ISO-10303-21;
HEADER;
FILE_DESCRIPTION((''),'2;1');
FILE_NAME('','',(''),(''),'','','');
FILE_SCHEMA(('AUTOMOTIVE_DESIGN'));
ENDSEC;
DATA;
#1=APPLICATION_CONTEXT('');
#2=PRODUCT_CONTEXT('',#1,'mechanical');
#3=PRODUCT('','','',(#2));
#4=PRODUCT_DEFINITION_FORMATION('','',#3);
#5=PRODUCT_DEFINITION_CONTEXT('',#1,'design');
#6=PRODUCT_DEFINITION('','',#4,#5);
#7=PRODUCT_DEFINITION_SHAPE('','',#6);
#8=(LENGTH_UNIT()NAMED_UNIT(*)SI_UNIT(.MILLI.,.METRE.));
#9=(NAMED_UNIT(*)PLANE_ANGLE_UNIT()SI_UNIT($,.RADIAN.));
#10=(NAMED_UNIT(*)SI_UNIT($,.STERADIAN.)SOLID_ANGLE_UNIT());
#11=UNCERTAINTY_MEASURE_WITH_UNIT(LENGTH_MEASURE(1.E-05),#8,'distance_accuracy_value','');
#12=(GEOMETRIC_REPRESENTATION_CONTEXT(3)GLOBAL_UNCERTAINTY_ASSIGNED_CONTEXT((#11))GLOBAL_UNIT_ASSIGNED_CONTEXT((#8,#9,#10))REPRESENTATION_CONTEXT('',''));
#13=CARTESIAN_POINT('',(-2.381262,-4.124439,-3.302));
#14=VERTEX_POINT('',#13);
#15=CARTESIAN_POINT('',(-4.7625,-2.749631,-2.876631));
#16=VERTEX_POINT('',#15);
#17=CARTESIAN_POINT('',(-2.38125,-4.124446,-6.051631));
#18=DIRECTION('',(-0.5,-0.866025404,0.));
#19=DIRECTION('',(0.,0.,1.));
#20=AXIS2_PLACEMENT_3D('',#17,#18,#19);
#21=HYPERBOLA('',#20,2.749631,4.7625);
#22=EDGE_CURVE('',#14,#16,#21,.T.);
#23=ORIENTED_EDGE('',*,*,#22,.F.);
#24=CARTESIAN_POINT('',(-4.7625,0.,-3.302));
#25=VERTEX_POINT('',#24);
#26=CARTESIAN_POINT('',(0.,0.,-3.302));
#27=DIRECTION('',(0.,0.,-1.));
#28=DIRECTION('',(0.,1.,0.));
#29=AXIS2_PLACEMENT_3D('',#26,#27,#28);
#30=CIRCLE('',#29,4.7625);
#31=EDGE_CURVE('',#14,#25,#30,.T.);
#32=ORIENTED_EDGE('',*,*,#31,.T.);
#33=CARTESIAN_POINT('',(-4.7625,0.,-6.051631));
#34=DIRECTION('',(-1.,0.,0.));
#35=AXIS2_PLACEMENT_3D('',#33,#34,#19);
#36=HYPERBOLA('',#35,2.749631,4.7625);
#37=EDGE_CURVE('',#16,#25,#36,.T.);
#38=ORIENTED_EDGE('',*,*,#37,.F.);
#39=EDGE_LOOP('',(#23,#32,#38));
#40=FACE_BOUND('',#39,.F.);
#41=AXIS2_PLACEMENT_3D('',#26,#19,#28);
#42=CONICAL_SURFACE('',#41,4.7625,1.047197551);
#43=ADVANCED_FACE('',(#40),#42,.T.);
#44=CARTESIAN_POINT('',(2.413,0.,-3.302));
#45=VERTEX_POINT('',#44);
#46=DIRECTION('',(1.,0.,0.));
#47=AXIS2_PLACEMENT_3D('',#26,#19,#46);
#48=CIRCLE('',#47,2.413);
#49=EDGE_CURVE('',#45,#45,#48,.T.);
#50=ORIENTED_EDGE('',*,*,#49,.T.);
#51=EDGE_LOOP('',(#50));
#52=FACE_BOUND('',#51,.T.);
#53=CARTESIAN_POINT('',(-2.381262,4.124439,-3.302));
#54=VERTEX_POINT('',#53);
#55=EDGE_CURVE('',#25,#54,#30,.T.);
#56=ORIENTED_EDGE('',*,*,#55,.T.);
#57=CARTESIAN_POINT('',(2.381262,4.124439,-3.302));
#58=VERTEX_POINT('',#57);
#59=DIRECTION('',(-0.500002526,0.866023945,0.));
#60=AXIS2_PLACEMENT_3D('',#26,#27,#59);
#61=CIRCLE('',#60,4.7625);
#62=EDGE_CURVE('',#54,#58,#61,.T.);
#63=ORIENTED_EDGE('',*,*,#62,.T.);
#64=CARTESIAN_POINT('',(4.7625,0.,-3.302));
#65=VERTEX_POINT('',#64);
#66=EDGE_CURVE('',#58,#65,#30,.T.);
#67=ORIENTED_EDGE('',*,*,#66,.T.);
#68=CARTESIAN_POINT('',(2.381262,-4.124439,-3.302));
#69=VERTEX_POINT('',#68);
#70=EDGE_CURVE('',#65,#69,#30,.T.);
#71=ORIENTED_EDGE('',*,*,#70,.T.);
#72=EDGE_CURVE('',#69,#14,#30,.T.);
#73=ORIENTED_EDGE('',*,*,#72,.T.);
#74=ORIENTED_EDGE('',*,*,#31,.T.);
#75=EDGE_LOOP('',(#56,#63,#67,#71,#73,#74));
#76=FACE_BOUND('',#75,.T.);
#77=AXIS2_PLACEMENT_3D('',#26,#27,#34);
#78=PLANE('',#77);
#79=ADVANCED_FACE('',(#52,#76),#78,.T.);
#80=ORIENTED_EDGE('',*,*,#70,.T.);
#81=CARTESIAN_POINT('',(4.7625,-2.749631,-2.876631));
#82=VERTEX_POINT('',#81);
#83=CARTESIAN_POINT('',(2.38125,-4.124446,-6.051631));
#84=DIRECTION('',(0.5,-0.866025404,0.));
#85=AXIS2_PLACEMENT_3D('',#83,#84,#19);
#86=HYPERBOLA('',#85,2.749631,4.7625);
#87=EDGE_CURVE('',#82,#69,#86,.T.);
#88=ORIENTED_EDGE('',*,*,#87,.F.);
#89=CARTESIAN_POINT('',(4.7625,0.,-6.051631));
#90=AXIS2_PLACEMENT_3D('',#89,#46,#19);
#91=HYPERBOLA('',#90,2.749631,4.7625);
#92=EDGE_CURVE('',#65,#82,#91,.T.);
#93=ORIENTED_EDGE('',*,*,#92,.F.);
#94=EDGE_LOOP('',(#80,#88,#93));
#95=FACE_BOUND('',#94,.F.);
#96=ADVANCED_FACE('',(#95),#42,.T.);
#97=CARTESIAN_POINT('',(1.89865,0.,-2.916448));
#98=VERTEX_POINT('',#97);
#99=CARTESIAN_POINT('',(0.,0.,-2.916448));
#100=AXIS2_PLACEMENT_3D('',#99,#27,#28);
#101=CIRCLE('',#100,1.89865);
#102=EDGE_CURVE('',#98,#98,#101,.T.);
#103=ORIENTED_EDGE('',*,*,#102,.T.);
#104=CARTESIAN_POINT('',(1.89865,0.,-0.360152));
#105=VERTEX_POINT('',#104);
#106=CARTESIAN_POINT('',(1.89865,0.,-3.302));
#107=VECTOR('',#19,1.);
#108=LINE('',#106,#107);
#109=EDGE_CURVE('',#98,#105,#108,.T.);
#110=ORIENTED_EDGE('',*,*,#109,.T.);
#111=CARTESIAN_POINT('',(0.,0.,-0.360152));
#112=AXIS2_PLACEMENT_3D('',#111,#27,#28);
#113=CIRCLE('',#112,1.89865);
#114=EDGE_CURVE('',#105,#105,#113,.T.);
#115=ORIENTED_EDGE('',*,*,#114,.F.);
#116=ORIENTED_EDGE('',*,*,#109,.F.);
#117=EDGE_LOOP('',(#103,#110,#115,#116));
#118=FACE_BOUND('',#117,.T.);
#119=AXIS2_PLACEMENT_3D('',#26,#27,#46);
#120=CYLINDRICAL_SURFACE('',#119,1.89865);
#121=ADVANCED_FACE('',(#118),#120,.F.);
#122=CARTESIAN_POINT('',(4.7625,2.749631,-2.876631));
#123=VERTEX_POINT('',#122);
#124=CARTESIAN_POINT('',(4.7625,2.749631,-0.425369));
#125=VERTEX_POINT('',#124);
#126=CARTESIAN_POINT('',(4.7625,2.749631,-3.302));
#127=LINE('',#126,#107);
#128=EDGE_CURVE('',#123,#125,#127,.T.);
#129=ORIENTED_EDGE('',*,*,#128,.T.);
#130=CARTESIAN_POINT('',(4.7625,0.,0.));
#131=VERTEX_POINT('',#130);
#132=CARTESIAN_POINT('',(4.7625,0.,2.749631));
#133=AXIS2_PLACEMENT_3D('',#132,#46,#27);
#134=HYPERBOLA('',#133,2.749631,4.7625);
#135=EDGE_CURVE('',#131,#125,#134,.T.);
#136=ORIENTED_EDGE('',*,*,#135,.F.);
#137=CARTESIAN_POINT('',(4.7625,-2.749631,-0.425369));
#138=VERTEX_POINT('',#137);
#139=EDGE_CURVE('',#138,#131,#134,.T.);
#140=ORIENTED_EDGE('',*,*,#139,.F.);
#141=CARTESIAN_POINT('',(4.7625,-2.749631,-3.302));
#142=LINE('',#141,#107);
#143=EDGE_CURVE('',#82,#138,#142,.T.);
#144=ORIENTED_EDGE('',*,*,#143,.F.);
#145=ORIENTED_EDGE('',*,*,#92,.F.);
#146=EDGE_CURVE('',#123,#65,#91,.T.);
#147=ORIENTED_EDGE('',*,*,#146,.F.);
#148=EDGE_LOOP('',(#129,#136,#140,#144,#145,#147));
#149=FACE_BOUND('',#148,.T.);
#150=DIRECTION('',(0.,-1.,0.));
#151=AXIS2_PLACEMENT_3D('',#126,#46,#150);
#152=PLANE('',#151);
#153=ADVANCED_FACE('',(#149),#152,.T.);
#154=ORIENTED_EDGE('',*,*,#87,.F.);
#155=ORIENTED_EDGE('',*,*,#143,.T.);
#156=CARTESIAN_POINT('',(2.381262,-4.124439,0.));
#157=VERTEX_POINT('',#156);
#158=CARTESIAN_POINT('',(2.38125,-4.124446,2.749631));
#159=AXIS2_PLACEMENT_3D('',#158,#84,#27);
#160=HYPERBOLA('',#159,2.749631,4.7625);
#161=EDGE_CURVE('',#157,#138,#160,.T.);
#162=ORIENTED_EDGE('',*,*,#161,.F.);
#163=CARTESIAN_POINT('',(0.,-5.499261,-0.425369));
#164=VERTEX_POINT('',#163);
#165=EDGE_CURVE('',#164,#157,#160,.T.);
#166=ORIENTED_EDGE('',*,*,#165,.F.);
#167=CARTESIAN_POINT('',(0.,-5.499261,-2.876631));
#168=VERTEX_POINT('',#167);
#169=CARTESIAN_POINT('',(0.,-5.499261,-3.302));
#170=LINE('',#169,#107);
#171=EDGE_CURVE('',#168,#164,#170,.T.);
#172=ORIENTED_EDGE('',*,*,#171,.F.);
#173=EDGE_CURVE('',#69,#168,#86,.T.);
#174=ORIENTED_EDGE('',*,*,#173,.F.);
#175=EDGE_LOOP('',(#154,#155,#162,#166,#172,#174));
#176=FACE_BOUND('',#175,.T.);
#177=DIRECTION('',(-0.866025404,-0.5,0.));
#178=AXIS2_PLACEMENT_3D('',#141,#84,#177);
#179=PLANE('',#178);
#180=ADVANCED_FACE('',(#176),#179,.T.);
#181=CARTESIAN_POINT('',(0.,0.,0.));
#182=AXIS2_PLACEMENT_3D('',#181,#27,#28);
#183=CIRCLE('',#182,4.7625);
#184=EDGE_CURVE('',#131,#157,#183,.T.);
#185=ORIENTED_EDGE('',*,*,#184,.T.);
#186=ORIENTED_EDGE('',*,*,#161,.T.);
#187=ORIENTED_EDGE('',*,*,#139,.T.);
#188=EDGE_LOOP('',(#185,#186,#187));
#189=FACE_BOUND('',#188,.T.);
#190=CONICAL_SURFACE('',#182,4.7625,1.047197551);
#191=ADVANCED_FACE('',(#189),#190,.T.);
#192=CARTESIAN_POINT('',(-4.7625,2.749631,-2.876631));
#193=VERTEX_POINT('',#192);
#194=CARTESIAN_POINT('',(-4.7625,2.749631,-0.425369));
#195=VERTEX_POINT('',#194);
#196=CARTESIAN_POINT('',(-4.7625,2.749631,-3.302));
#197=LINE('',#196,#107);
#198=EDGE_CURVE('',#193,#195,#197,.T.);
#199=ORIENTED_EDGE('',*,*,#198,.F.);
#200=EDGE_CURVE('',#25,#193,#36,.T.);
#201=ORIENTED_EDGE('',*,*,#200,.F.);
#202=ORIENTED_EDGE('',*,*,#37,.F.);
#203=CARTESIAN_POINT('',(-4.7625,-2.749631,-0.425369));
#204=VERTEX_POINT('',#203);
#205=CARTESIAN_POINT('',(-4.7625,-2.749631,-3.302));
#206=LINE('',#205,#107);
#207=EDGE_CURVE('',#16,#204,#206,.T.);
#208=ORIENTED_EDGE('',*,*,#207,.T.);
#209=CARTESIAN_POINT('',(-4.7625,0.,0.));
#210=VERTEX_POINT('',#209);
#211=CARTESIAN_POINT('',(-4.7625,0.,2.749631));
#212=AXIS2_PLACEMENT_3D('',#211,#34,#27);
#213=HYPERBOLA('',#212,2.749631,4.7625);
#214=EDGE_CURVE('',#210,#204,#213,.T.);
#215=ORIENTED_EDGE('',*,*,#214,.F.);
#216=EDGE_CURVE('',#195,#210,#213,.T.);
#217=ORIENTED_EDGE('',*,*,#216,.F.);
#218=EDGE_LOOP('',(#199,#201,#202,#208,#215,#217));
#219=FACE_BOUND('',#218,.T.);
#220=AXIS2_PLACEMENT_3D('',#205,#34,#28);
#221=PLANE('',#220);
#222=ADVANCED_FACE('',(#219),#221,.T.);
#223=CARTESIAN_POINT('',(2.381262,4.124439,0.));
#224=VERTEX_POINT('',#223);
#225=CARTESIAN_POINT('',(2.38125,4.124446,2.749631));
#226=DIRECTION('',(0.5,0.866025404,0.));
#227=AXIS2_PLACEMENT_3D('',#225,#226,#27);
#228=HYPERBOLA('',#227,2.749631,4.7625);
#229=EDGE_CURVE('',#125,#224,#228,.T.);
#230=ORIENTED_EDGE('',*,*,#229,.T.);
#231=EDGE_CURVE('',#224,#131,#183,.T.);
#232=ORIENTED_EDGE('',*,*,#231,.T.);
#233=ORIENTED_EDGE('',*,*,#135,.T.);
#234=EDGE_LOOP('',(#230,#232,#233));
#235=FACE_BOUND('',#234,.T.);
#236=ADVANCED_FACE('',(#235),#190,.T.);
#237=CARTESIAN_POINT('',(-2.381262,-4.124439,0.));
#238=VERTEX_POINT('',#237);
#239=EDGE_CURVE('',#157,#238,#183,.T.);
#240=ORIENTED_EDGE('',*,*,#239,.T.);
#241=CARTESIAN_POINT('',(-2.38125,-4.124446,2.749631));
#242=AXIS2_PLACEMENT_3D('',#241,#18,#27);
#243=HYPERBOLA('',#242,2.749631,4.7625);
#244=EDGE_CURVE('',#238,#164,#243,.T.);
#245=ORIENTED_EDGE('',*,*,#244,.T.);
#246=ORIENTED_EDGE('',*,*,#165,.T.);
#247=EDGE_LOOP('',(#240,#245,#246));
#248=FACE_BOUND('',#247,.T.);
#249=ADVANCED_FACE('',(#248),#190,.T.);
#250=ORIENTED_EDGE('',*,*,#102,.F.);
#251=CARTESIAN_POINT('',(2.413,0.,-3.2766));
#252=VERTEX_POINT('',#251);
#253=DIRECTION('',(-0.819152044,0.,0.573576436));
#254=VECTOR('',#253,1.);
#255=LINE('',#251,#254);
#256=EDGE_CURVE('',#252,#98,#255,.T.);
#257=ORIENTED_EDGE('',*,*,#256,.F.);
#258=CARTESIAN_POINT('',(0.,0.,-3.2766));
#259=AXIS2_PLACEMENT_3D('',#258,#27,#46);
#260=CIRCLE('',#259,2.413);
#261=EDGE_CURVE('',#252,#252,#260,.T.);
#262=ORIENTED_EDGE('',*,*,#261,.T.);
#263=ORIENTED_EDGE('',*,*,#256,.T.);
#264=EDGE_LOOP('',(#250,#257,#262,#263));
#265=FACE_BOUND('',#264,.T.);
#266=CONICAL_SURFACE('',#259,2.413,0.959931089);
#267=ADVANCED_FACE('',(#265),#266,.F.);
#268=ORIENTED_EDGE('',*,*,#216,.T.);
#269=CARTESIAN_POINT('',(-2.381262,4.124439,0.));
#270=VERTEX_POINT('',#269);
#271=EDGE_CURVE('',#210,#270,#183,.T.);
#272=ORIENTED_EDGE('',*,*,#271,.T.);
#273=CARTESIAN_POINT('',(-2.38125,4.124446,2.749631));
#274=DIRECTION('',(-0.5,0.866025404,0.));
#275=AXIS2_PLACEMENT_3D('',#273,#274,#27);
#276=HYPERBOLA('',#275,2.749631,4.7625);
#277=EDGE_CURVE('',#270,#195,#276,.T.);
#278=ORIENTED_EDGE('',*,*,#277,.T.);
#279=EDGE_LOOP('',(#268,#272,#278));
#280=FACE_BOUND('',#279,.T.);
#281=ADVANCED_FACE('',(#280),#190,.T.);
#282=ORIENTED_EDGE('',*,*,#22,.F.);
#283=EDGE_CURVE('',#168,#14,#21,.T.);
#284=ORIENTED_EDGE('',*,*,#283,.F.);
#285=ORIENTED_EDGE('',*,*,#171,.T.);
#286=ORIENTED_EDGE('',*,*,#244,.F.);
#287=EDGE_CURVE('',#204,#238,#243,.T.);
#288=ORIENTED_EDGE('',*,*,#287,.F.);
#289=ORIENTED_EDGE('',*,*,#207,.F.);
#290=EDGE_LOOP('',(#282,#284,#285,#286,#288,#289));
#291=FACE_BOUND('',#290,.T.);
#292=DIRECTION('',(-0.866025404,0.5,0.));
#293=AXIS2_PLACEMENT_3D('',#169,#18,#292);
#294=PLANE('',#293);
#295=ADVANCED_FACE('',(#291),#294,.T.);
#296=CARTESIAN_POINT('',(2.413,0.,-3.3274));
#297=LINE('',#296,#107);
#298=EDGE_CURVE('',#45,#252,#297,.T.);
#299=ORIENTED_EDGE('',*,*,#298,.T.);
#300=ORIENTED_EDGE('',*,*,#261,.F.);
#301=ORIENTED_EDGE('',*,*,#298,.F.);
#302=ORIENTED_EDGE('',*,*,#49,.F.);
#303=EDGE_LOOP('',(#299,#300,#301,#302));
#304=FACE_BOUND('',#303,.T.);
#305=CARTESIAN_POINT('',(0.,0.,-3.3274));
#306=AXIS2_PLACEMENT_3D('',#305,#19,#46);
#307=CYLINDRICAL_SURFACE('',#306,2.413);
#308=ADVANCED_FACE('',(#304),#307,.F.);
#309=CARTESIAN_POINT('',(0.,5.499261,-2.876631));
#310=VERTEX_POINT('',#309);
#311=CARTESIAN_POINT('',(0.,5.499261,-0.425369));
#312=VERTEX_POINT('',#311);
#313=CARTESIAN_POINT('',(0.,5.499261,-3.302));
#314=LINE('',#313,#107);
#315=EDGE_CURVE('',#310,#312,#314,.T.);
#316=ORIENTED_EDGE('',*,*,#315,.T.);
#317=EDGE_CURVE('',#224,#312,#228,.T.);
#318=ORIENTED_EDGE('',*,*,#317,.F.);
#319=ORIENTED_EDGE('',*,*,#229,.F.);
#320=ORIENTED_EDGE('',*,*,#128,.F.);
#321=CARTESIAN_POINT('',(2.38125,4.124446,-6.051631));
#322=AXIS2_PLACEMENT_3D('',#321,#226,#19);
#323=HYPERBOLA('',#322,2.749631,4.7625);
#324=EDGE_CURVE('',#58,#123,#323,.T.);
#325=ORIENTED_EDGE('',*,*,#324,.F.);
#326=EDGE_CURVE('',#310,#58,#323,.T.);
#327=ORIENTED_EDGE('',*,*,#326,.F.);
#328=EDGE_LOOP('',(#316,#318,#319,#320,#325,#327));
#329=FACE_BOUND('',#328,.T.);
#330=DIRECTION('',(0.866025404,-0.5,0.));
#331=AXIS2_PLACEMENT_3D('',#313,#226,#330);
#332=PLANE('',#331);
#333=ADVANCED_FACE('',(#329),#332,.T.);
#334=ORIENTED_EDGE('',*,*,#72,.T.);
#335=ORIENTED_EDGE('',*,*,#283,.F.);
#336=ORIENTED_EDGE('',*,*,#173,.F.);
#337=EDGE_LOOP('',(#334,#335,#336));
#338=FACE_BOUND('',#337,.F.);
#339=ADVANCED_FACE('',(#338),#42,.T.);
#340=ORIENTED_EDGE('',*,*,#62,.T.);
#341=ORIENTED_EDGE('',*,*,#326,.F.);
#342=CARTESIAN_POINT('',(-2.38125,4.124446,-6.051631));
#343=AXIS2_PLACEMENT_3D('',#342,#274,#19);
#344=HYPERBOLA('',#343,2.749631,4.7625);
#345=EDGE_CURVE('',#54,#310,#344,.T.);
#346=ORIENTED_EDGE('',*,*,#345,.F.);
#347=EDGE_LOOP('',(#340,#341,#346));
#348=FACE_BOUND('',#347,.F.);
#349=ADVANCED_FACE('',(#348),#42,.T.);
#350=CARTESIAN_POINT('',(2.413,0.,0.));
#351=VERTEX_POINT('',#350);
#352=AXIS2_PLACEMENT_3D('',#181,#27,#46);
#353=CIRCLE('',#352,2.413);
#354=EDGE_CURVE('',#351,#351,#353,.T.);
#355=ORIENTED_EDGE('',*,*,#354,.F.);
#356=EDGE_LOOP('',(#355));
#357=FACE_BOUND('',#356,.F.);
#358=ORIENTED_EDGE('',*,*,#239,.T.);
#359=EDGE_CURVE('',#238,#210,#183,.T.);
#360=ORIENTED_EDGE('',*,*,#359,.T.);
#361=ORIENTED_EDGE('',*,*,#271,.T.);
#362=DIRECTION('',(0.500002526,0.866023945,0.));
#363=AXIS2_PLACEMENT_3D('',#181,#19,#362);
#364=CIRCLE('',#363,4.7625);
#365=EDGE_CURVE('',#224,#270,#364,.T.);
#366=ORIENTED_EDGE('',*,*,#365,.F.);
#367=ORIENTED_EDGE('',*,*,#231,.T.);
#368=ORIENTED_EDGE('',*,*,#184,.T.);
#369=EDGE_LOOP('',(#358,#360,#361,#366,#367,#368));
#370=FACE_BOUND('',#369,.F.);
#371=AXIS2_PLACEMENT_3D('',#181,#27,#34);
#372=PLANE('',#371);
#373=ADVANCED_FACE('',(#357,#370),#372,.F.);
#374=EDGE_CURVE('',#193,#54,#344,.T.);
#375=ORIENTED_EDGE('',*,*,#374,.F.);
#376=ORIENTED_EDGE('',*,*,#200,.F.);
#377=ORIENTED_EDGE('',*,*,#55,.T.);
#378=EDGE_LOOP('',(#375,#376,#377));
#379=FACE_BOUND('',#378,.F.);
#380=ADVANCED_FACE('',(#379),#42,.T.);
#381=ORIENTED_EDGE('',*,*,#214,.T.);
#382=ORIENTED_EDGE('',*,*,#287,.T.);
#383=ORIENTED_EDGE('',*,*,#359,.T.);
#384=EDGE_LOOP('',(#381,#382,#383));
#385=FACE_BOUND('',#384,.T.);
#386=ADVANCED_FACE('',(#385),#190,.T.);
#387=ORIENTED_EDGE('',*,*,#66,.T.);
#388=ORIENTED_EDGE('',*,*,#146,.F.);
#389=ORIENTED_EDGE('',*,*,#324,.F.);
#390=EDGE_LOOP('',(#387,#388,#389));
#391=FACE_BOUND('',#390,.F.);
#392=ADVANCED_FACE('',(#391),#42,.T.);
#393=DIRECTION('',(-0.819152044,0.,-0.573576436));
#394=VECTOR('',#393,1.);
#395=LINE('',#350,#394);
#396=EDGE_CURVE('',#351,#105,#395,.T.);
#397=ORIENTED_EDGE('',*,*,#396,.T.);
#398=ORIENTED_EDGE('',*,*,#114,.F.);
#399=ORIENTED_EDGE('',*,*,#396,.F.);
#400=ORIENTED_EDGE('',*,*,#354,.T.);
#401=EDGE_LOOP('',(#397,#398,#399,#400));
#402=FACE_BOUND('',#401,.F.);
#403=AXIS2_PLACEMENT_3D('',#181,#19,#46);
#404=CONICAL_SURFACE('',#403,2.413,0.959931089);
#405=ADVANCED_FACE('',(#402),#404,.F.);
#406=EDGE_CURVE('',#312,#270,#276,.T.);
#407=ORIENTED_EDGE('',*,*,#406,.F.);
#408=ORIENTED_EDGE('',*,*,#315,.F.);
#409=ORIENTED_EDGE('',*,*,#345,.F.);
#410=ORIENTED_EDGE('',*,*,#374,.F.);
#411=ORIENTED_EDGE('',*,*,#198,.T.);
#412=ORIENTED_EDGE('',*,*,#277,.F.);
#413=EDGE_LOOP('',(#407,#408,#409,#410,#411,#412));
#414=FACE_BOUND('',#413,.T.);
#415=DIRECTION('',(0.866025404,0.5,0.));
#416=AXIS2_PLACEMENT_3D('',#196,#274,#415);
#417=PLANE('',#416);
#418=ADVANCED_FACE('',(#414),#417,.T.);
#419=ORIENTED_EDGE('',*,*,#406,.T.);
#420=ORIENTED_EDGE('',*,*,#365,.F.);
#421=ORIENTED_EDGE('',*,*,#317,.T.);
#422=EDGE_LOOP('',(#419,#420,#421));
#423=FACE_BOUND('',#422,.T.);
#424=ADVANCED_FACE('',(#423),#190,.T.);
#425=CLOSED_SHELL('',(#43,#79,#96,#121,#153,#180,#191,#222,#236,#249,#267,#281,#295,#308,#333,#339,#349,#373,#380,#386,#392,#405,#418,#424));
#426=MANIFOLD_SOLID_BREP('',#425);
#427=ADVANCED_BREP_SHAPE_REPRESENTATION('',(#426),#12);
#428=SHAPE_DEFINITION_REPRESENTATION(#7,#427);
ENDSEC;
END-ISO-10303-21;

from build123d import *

# Parameters (mm, degrees)
BASENUT_START = -3.302
BASENUTSKE_R  = 1.89865
BASENUT_DEPTH = 3.302


with BuildPart() as part:
    # BaseNutSke → BaseNut (new body)
    with BuildSketch(Plane.XY.offset(BASENUT_START)):
        Polygon((4.7625, 2.749630657), (4.7625, -2.749630657), (0, -5.499261314), (-4.7625, -2.749630657), (-4.7625, 2.749630657), (0, 5.499261314), align=None)
        Circle(BASENUTSKE_R, mode=Mode.SUBTRACT)
    extrude(amount=BASENUT_DEPTH)

    # Sketch3 → Double-Chamfer (revolve, cut)
    with BuildSketch(Plane(origin=(0, 0, 0), x_dir=(0, 0, -1), z_dir=(1, 0, 0))):
        Polygon((3.302, 4.7625), (2.876630657, 5.499261314), (2.876630657, 18.199261314), (16.002, 18.199261314), (16.002, 4.7625), align=None)
        Polygon((0.425369343, 18.199261314), (-12.7, 18.199261314), (-12.7, 4.7625), (0, 4.7625), (0.425369343, 5.499261314), align=None)
    revolve(axis=Axis((0, 0, 0), (0, 0, -1)), mode=Mode.SUBTRACT)

    # EndChamferSketch → EndChamfer (revolve, cut)
    with BuildSketch(Plane(origin=(0, 0, 0), x_dir=(0, 0, -1), z_dir=(1, 0, 0)), mode=Mode.PRIVATE) as endchamfer_sk:
        Polygon((3.2766, 2.413), (2.880433078, 1.847215), (3.3274, 1.847215), (3.3274, 2.413), align=None)
        Polygon((-0.0508, 2.413), (0, 2.413), (0.396166922, 1.847215), (-0.0508, 1.847215), align=None)
    revolve(endchamfer_sk.sketch.rotate(Axis((0, 0, -25.037505729), (0, 0, -1)), 90), axis=Axis((0, 0, -25.037505729), (0, 0, -1)), mode=Mode.SUBTRACT)


solid = part.part
